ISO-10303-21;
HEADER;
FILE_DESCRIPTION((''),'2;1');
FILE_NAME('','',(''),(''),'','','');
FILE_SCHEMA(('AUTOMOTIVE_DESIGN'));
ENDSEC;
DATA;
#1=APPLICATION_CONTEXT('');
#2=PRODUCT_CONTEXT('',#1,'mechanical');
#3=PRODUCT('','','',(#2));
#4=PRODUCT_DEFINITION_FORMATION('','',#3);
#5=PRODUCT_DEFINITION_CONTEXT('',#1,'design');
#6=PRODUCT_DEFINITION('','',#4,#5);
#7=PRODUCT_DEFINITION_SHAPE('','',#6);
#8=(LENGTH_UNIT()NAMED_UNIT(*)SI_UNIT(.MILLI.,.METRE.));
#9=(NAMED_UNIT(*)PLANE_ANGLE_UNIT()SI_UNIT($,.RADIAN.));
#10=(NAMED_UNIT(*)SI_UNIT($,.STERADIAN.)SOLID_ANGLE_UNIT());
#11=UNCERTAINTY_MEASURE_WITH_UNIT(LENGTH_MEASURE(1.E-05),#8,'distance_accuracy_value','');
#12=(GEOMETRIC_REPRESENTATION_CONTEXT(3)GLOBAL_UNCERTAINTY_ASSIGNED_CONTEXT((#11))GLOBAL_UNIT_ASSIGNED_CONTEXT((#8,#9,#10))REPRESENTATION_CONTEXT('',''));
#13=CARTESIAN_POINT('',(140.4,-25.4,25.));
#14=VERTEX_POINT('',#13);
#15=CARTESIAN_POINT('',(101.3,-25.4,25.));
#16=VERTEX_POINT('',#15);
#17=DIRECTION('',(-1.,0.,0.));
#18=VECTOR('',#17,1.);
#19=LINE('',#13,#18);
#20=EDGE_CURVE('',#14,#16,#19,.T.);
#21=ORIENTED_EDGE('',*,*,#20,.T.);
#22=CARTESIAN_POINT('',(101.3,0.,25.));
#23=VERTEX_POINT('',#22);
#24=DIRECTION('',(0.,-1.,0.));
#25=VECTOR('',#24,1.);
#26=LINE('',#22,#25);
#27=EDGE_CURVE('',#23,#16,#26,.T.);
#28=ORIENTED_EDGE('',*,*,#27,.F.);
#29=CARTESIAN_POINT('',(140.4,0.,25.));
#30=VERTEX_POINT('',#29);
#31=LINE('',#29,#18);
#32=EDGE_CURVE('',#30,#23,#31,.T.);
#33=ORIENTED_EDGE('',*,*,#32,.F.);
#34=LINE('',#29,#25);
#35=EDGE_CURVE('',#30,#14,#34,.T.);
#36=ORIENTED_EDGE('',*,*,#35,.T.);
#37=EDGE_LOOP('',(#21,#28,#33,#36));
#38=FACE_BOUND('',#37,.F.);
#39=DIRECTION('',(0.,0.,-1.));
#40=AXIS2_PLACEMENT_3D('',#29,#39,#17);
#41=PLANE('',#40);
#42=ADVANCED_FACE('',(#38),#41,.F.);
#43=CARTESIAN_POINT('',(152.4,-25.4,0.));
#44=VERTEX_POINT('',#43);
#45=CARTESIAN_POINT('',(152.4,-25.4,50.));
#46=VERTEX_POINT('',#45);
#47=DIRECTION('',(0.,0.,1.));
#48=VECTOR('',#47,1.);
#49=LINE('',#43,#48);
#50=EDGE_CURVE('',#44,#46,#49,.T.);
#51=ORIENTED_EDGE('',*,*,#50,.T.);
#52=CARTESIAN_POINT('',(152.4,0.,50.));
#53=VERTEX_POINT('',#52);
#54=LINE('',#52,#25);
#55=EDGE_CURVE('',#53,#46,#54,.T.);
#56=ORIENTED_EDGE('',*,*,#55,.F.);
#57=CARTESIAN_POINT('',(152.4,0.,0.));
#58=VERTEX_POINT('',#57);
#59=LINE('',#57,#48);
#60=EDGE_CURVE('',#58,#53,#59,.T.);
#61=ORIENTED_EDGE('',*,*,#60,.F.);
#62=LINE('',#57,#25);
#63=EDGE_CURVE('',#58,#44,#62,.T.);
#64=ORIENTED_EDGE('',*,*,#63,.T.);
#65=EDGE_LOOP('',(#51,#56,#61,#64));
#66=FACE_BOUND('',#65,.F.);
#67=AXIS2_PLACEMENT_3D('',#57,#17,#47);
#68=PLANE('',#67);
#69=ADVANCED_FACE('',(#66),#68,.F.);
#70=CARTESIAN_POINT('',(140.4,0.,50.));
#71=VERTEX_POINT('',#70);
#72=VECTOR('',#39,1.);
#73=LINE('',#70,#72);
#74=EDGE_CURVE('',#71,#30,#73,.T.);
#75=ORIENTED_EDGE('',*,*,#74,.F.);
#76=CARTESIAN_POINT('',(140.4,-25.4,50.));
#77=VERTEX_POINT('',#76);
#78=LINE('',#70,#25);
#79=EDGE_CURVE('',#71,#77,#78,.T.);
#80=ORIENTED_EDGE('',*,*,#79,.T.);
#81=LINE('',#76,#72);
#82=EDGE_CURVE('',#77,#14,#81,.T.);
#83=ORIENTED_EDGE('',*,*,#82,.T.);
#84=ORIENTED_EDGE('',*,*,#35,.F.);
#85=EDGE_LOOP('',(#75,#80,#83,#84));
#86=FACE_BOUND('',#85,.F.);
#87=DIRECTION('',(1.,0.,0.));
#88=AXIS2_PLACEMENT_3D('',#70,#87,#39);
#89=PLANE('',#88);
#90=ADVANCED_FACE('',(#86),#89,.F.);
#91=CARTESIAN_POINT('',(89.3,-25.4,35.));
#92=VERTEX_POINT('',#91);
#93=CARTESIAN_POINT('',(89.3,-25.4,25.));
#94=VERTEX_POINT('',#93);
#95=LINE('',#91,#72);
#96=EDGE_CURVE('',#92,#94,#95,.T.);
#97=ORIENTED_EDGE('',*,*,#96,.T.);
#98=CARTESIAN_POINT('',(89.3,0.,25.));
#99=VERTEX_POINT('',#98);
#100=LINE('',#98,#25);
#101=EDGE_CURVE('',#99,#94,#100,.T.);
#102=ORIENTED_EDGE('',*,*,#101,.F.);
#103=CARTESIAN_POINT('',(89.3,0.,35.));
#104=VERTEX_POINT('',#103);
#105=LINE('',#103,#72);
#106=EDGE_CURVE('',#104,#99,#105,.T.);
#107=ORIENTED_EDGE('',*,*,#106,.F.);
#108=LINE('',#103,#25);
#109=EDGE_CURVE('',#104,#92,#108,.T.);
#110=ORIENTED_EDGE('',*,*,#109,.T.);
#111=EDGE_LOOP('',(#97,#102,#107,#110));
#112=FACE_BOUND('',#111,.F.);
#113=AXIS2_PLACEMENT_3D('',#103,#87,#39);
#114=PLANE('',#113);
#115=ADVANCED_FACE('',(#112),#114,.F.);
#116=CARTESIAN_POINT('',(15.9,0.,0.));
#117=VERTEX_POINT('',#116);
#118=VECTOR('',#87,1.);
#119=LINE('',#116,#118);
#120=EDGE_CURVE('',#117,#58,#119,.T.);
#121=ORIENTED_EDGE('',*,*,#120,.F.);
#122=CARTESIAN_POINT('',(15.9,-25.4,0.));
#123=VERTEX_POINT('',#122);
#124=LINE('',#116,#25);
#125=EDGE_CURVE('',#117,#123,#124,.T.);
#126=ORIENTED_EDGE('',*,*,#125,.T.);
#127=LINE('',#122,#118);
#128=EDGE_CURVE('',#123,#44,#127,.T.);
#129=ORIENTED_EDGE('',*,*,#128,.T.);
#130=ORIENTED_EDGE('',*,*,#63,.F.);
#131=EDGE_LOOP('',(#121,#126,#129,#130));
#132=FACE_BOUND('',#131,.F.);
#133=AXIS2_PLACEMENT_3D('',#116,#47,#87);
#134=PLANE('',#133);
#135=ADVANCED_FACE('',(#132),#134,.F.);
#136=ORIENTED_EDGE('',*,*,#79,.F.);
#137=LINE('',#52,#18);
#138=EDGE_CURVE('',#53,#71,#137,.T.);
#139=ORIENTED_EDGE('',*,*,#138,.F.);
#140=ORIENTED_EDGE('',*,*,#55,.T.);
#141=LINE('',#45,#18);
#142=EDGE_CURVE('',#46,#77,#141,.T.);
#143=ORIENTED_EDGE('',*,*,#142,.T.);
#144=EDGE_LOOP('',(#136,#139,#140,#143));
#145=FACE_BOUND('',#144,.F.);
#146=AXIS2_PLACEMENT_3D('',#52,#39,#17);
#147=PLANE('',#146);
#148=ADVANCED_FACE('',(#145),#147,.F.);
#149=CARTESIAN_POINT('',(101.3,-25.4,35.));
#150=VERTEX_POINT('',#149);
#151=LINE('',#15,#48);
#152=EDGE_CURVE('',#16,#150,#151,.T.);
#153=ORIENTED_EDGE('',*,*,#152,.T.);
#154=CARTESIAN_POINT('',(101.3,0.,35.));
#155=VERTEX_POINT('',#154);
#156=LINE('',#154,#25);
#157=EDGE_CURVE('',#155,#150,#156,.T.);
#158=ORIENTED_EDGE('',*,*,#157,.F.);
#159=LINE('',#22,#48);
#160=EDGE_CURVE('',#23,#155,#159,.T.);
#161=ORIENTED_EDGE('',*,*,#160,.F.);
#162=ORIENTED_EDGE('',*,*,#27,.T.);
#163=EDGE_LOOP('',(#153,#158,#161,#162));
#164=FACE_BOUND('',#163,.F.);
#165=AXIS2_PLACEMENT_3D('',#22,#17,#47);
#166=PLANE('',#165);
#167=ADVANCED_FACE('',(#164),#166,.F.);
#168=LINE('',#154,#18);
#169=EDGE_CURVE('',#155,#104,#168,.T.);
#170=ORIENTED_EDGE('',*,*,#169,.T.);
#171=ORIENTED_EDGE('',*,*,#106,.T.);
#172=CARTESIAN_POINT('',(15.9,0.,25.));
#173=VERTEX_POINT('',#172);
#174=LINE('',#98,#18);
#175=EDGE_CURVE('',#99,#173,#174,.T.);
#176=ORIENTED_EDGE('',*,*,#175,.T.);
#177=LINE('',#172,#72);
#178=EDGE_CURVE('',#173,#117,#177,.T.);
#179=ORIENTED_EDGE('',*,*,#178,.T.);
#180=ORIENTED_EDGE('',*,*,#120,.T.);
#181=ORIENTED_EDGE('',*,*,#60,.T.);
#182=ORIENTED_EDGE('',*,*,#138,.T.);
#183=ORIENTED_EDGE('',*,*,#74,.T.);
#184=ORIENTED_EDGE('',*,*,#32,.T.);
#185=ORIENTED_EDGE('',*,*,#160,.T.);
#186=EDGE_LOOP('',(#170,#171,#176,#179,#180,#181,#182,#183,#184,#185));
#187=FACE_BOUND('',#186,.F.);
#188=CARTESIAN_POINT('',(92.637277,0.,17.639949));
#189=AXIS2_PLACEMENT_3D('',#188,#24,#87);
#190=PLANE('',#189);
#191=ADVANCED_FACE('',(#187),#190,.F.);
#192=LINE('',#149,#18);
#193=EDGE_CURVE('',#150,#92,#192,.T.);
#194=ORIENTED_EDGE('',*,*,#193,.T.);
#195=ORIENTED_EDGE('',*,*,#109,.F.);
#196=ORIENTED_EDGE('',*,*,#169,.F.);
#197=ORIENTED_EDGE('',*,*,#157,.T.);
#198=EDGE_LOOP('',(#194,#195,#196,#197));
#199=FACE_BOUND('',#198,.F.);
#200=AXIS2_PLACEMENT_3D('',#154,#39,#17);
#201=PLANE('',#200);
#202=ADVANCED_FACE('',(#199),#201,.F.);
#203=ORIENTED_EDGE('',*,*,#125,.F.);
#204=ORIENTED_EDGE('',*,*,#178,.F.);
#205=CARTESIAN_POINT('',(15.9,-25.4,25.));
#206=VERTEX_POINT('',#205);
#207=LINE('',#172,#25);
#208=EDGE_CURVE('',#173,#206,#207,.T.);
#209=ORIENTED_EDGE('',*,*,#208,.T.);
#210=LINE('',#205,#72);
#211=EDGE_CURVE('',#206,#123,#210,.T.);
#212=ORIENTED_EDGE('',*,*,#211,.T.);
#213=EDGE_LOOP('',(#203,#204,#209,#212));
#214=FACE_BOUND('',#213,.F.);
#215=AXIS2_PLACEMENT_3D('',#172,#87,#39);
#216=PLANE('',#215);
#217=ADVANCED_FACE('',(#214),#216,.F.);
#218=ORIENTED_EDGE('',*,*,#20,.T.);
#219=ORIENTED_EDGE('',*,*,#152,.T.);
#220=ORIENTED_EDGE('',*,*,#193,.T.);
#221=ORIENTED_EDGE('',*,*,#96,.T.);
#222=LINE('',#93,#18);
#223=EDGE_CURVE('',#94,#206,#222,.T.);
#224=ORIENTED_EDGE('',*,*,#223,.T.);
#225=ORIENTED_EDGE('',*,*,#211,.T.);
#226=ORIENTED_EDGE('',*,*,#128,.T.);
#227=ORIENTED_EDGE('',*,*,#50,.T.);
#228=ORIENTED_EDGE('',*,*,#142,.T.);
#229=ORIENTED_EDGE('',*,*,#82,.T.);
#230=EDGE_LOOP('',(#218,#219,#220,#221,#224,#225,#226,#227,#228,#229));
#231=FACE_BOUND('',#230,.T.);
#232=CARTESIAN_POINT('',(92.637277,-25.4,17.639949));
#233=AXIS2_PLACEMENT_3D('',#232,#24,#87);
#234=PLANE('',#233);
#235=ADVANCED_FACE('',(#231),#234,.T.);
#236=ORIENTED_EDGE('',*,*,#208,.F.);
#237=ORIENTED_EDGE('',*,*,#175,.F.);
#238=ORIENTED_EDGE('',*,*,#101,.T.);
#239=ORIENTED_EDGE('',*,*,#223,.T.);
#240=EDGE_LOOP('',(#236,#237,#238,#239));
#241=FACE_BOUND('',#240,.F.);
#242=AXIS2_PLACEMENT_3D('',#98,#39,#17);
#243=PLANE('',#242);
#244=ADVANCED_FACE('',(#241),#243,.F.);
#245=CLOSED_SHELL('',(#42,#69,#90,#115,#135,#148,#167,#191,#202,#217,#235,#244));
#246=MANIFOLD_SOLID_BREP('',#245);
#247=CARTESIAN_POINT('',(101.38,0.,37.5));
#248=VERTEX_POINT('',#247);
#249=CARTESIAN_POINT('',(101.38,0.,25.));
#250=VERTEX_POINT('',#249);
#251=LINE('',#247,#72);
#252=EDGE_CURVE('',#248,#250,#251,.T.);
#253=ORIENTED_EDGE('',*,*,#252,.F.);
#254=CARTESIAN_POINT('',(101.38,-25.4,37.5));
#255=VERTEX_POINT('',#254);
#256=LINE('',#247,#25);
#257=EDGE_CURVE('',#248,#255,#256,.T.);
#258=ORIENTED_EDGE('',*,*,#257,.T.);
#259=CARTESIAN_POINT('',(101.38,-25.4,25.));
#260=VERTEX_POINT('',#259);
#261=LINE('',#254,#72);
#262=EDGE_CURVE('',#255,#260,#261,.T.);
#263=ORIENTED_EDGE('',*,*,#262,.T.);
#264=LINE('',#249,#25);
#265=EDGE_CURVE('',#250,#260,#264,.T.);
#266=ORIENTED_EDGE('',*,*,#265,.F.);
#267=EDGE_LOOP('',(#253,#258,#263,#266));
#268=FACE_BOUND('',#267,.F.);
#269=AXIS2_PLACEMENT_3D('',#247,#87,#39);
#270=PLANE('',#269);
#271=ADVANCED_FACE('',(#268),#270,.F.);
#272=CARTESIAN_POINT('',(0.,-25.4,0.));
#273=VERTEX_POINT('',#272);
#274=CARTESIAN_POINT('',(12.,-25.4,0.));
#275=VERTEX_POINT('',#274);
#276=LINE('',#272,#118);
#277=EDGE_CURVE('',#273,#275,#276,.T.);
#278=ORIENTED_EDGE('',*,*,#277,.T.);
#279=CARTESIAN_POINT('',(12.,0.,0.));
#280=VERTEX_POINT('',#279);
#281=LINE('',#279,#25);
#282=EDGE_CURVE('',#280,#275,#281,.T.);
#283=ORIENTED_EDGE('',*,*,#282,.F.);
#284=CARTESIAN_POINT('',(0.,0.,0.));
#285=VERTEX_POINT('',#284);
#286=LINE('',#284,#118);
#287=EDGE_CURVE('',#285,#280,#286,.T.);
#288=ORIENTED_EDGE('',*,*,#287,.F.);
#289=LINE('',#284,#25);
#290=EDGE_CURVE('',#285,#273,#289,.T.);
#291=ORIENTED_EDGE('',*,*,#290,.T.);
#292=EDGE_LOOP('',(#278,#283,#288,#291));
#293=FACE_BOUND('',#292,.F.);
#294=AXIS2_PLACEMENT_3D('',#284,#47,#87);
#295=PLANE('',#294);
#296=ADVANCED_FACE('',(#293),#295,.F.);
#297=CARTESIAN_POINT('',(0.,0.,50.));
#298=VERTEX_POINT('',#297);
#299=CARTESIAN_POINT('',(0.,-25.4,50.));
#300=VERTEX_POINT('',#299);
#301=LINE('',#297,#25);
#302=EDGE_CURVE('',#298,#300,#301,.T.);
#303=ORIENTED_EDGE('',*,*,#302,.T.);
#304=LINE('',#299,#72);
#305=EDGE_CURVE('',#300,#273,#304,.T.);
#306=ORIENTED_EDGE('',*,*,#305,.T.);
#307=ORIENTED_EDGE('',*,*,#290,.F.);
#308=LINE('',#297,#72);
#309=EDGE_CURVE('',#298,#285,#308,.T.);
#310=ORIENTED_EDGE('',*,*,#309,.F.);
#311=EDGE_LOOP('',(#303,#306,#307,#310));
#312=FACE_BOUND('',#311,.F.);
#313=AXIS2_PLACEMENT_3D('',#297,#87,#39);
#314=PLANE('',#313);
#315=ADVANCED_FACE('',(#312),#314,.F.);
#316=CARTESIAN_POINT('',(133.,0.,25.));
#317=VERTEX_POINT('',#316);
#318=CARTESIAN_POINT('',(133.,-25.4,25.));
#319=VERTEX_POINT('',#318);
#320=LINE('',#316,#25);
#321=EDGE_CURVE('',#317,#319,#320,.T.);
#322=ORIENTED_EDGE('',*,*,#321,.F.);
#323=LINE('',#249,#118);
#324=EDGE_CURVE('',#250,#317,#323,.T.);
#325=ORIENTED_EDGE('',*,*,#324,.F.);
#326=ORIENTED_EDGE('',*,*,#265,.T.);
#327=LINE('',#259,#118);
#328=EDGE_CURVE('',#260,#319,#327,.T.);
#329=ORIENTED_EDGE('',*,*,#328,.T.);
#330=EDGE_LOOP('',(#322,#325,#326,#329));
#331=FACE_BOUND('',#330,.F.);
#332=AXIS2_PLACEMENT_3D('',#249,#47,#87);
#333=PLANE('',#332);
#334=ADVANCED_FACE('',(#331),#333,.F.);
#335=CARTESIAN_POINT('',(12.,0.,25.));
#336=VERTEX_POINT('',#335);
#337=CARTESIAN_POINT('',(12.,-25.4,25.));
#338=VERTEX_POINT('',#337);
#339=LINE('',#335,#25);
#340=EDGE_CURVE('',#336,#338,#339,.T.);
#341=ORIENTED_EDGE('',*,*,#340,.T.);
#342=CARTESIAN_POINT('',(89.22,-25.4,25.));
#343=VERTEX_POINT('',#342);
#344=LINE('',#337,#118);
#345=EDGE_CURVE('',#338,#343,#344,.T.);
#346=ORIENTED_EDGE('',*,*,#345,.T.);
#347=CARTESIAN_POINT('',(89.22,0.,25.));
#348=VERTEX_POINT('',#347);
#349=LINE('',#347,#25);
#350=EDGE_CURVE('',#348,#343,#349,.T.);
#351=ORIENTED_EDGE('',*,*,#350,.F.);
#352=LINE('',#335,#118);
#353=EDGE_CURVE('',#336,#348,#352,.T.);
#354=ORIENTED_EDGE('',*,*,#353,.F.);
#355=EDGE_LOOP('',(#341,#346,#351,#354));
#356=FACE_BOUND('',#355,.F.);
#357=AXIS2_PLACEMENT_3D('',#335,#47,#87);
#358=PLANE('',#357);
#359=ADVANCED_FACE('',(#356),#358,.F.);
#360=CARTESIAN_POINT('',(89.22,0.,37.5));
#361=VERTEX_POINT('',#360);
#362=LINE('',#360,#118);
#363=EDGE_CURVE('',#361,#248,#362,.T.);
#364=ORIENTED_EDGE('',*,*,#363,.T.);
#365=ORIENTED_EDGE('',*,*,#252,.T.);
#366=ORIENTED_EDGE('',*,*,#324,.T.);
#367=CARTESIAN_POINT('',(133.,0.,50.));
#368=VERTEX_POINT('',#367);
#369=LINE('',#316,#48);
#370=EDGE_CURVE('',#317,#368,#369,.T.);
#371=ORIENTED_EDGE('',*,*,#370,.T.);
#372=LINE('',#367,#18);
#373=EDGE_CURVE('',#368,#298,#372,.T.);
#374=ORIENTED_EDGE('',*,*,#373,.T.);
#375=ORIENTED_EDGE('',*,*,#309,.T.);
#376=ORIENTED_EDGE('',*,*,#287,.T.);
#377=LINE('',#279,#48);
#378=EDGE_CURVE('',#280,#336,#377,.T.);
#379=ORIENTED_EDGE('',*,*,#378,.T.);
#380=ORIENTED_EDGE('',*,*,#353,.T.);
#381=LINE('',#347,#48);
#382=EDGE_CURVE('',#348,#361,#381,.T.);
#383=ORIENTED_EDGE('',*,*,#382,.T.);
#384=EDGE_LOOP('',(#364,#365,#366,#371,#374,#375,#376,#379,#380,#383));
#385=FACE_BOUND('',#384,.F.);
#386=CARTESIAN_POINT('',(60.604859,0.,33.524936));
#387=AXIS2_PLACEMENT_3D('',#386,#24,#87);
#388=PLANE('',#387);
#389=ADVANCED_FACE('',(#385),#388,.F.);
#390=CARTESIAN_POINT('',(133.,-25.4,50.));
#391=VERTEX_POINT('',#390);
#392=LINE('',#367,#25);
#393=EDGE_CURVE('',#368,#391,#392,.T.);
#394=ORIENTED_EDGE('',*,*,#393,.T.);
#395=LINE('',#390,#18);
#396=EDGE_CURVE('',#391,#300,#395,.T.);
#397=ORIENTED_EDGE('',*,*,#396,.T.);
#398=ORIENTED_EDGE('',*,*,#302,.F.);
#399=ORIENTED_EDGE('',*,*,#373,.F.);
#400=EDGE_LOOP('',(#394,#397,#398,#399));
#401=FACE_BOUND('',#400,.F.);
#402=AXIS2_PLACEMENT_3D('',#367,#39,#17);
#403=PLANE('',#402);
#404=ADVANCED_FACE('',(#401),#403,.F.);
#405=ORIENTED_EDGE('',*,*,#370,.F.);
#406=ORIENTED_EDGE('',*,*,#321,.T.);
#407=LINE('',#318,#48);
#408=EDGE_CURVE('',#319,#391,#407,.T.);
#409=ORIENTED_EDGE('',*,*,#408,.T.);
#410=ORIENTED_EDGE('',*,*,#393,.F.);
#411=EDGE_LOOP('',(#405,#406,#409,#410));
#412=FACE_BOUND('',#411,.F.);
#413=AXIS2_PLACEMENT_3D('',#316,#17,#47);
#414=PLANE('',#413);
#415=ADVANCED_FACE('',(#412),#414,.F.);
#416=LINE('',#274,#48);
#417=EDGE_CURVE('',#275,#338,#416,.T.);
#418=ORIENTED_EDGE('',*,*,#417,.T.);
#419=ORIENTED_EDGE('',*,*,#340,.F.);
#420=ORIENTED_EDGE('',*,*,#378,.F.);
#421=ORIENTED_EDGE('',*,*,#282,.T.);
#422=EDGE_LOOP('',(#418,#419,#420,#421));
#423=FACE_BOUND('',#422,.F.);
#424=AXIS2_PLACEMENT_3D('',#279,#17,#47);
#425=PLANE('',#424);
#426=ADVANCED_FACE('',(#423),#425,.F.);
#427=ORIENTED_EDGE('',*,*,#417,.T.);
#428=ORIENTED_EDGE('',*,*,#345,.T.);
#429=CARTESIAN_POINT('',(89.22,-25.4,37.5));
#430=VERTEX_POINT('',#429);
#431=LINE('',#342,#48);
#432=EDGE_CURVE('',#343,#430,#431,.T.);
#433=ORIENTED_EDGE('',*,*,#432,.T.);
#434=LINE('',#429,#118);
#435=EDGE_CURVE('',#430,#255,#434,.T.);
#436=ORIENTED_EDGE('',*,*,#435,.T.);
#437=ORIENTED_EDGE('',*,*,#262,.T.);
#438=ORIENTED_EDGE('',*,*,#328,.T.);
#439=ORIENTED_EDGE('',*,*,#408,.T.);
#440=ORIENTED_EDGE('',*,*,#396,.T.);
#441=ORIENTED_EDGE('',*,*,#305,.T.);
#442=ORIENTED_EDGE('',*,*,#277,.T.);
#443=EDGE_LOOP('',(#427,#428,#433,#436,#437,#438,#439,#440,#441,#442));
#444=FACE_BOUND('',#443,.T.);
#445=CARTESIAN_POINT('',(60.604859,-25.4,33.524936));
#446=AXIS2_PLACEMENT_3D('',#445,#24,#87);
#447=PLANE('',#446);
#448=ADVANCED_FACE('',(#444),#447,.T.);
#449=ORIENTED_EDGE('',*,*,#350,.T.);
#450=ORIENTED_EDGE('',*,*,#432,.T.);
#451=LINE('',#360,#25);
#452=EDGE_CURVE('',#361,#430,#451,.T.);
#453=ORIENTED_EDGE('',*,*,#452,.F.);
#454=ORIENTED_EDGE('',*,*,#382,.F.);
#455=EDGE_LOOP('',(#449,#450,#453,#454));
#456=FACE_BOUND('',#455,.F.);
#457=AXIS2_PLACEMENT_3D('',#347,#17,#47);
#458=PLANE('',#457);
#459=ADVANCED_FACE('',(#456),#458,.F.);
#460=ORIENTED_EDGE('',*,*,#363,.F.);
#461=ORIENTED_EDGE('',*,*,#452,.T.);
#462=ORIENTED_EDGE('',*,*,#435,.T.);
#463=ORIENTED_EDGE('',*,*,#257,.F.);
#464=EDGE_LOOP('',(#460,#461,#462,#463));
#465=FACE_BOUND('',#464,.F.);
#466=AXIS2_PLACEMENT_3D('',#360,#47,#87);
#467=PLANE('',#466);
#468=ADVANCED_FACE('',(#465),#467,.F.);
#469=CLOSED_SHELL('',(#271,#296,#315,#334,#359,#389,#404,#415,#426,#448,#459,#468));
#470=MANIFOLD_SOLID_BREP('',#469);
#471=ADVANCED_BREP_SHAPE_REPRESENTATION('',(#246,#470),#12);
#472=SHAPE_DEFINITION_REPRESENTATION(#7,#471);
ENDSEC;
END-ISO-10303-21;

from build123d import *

# Parameters (mm, degrees)
F1_DEPTH = 25.4
F3_DEPTH = 25.4


with BuildPart() as f1:
    # F0 (on Front) → F1 (new body)
    with BuildSketch(Plane.XZ):
        Polygon((0, 50), (0, 0), (12, 0), (12, 25), (89.22, 25), (89.22, 37.5), (101.38, 37.5), (101.38, 25), (133, 25), (133, 50), align=None)
    extrude(amount=F1_DEPTH)


with BuildPart() as f3:
    # F2 (on Front) → F3 (new body)
    with BuildSketch(Plane.XZ):
        Polygon((15.9, 25), (15.9, 0), (152.4, 0), (152.4, 50), (140.4, 50), (140.4, 25), (101.3, 25), (101.3, 35), (89.3, 35), (89.3, 25), align=None)
    extrude(amount=F3_DEPTH)


solid = Compound([f1.part, f3.part])
